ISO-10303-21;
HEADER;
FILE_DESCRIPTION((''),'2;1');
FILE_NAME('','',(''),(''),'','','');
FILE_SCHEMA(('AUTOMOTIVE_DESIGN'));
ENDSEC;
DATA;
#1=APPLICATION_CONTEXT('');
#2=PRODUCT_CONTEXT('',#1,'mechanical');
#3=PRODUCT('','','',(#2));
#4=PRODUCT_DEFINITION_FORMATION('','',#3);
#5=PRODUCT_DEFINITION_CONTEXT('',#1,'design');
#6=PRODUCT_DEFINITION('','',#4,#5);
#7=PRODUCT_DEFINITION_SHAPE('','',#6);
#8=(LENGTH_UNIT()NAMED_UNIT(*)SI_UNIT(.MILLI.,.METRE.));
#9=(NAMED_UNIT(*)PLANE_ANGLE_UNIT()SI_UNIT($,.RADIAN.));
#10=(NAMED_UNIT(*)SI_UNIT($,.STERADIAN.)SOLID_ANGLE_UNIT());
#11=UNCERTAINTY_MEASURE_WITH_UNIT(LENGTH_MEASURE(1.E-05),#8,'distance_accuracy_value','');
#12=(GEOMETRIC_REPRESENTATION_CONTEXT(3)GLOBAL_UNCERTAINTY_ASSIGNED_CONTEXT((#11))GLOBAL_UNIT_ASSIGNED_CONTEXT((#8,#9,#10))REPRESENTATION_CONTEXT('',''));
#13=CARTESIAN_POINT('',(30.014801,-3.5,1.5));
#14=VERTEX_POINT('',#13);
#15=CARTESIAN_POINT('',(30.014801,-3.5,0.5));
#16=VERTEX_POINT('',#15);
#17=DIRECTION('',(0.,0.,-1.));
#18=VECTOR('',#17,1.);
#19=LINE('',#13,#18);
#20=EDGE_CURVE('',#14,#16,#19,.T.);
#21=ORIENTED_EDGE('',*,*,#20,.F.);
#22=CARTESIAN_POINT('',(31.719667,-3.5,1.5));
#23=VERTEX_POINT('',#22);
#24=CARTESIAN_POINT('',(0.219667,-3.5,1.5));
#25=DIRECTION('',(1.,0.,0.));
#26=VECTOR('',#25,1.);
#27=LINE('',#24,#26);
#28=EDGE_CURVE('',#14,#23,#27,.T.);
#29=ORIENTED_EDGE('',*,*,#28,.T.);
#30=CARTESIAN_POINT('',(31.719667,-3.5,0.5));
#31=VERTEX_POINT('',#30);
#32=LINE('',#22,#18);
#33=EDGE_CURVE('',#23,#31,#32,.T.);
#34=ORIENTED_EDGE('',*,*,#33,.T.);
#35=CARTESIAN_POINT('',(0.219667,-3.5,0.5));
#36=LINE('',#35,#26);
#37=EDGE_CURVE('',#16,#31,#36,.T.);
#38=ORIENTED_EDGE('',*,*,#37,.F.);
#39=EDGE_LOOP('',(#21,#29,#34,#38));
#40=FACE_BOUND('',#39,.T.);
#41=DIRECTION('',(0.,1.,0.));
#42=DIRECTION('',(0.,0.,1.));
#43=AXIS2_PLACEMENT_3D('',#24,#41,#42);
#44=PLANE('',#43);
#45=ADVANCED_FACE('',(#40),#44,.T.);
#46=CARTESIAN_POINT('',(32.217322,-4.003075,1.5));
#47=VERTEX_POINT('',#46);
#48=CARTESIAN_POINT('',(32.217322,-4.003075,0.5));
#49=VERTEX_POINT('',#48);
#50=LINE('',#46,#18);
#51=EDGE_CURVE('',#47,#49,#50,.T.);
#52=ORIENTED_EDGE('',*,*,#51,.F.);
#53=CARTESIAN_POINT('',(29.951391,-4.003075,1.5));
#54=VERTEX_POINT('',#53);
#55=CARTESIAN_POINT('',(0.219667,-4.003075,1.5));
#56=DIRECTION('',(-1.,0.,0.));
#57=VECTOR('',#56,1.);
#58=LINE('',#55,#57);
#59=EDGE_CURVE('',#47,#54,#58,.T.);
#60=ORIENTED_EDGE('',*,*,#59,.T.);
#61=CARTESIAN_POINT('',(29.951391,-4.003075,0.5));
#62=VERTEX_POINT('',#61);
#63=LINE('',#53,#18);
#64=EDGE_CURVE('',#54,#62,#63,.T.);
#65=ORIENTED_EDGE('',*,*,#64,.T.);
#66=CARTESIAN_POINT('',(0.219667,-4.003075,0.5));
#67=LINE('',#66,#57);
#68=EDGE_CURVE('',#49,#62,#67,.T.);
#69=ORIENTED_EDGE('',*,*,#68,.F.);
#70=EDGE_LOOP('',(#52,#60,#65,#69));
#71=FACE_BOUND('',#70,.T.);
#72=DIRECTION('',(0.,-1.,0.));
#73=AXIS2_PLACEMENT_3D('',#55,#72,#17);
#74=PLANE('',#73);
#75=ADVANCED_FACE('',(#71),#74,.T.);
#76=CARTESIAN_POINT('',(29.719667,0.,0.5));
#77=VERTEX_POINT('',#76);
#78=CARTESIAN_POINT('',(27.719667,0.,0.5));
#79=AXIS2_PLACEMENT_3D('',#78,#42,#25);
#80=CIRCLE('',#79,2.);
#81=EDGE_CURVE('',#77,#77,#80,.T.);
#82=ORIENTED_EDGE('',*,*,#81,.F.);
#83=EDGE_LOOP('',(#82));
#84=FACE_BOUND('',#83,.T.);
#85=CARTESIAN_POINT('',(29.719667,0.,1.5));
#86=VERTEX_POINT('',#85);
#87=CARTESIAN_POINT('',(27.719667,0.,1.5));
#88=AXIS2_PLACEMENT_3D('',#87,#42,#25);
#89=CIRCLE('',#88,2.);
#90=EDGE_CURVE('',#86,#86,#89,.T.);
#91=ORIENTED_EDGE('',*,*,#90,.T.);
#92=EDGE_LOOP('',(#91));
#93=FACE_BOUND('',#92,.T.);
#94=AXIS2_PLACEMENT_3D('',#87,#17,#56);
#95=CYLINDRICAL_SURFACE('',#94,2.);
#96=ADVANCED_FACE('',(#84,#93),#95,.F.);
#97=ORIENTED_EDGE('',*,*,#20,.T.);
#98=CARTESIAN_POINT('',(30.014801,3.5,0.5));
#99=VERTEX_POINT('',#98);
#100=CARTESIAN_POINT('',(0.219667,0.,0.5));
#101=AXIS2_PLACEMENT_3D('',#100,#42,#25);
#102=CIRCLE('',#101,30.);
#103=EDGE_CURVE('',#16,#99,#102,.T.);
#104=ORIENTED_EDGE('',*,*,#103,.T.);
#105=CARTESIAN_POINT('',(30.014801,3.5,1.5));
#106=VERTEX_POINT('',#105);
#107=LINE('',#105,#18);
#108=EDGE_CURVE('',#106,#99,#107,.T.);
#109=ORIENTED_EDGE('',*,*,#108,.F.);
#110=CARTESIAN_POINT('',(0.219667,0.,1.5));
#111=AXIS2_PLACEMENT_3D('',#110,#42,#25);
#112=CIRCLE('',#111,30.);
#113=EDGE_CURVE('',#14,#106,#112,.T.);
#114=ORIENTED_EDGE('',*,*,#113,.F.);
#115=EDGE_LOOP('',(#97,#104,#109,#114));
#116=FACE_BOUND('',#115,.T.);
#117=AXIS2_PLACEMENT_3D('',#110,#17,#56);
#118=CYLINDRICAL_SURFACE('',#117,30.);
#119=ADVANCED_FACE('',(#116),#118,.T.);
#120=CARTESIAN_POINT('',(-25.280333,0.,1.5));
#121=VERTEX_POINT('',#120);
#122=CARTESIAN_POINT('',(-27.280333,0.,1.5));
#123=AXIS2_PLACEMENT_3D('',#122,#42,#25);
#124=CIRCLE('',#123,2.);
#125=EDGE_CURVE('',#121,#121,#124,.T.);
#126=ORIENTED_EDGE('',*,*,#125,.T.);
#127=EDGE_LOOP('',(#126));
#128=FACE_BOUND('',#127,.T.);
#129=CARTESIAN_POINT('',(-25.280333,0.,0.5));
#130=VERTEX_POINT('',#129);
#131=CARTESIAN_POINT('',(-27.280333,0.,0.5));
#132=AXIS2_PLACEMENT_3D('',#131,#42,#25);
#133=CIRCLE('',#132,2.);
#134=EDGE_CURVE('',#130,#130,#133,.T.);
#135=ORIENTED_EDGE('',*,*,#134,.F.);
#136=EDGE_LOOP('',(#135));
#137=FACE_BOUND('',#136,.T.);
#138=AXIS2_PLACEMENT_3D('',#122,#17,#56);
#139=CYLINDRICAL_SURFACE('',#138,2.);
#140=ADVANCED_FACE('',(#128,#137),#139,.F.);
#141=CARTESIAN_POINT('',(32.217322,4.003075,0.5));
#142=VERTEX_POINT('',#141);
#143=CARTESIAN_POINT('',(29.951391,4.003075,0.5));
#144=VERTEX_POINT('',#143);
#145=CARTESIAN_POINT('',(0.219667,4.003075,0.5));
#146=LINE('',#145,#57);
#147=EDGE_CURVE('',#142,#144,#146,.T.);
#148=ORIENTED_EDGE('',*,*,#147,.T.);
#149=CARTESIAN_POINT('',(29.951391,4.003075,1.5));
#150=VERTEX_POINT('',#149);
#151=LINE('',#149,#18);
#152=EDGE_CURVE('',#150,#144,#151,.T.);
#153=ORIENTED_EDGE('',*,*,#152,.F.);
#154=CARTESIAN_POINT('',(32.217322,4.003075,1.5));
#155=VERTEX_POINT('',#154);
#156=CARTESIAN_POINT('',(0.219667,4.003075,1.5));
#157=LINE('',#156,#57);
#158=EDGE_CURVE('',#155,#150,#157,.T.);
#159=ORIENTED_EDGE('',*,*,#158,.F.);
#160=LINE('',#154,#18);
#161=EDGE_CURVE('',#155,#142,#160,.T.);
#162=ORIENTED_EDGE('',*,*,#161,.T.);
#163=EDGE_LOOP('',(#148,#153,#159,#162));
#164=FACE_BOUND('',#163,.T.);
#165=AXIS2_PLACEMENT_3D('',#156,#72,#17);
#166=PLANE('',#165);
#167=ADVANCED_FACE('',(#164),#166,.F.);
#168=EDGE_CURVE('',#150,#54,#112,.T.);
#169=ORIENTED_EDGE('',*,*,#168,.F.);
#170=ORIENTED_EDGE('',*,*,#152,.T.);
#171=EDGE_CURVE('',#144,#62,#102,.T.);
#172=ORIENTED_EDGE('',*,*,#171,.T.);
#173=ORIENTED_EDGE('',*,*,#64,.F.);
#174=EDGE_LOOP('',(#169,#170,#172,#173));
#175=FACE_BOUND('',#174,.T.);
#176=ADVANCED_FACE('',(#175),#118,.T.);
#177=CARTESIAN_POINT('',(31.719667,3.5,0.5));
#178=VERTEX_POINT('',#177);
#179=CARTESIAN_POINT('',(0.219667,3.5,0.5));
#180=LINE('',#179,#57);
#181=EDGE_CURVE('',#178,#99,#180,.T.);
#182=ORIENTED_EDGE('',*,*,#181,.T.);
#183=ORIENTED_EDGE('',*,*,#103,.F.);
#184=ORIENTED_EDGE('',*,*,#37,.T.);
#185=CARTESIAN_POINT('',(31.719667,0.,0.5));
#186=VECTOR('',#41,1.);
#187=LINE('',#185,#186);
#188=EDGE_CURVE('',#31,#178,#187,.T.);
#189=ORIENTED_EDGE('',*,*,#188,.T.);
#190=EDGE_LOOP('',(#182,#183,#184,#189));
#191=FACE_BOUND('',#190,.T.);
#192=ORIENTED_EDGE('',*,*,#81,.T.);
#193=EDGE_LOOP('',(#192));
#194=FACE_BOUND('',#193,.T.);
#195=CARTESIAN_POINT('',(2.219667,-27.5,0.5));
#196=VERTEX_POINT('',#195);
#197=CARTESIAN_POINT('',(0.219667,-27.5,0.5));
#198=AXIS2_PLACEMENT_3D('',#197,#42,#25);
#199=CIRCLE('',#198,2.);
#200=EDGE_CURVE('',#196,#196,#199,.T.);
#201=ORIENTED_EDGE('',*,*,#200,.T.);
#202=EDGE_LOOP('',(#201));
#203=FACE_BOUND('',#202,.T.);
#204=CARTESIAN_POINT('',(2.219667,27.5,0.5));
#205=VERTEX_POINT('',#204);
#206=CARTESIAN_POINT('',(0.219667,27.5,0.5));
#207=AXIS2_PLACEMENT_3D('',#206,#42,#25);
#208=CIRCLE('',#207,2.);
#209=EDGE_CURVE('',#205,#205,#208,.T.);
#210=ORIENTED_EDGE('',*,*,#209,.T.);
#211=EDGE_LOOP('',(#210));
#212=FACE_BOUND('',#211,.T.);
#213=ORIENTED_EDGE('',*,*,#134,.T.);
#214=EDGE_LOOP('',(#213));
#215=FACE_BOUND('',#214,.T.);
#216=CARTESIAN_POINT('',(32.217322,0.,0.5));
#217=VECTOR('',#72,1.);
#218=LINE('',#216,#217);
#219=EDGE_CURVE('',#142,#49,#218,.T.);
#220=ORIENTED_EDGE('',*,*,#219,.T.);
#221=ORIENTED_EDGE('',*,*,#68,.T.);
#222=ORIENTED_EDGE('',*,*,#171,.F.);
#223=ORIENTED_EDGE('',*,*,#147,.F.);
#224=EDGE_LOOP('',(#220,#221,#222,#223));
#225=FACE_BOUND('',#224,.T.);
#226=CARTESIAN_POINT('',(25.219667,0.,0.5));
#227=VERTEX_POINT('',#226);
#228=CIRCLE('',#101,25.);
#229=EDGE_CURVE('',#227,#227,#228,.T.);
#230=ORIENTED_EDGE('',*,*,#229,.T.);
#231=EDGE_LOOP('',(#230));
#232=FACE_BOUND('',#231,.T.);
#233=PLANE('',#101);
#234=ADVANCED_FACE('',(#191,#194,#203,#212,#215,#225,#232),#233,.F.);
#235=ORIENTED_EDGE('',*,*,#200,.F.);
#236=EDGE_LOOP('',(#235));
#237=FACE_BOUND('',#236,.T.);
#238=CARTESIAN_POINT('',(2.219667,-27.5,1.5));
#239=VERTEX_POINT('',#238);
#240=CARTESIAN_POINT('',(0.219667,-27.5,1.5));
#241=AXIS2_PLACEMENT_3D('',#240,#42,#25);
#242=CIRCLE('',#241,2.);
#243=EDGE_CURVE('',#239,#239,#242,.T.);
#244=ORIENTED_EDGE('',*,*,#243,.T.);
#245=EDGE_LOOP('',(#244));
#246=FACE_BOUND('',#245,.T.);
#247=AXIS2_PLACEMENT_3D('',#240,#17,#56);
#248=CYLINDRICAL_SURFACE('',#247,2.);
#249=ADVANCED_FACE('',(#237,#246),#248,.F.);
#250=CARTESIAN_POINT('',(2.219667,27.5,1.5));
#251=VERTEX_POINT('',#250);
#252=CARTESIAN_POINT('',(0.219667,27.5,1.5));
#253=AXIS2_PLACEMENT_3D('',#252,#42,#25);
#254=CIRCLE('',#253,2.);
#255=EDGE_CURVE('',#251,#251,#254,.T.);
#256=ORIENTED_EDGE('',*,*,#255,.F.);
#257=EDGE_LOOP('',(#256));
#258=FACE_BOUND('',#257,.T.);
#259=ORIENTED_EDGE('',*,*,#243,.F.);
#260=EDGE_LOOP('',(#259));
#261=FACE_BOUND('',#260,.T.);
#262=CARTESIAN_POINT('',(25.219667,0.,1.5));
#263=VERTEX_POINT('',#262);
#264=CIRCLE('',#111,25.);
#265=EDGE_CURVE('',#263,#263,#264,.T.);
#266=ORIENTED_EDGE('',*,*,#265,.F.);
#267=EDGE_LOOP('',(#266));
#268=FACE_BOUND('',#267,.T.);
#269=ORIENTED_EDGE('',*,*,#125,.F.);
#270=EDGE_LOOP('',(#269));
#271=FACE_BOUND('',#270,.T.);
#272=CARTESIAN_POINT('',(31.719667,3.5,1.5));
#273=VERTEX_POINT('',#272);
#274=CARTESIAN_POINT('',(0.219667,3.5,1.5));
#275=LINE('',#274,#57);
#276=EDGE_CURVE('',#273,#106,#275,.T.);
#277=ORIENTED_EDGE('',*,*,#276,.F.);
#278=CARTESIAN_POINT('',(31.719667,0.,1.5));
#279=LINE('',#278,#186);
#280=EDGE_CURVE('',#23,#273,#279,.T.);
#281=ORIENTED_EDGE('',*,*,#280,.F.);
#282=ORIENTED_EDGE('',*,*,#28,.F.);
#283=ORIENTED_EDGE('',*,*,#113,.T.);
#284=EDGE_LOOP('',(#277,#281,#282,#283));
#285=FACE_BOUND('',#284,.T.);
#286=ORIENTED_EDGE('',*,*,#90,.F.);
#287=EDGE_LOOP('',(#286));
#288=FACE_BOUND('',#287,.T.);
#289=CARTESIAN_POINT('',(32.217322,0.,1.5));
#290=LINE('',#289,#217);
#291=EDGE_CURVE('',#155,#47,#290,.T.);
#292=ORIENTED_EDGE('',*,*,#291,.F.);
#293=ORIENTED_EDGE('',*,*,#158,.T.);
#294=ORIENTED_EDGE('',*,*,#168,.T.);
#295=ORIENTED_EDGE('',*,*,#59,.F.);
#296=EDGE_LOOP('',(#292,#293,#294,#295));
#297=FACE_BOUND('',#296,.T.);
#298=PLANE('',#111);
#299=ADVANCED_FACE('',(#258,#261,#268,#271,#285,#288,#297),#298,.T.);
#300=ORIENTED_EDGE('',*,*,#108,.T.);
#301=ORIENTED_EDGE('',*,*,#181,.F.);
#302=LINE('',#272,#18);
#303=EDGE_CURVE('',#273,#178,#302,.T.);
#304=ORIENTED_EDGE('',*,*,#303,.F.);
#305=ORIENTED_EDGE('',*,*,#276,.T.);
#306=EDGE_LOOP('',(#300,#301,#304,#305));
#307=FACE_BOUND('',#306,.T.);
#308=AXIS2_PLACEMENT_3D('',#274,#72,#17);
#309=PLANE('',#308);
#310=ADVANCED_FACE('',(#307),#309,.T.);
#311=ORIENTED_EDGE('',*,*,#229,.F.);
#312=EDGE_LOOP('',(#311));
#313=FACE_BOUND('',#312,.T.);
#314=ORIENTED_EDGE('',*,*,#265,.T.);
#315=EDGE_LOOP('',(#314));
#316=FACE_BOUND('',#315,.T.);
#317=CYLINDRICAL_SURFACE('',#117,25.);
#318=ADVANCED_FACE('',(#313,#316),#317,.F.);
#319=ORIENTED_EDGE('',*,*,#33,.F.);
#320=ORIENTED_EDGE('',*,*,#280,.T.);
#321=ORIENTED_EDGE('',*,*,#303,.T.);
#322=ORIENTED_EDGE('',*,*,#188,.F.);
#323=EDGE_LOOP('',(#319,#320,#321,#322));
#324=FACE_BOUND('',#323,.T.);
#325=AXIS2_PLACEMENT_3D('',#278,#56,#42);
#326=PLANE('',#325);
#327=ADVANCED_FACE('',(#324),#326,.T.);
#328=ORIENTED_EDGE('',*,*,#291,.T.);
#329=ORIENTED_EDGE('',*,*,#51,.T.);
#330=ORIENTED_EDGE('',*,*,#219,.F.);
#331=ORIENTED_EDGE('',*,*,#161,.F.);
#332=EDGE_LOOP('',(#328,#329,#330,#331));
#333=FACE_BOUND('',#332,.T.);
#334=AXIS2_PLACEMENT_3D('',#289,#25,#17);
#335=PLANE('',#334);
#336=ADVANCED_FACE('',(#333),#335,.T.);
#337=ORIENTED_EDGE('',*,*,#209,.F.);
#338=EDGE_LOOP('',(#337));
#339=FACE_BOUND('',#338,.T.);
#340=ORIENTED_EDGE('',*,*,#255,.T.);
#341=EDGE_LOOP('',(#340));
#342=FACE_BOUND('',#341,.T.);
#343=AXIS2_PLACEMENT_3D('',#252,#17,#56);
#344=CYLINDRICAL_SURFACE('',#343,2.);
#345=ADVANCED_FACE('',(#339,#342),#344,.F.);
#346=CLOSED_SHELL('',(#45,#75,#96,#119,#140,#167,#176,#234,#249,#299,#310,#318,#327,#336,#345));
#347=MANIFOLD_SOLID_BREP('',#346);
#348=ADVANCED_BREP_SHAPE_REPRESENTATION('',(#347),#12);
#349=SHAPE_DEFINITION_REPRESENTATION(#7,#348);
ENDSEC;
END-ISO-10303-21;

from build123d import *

# Parameters (mm, degrees)
CROQUIS1_R              = 4
CROQUIS1_R_2            = 50
SALIENTE_EXTRUIR1_DEPTH = 2
ESCALA1_SCALE           = 0.5


with BuildPart() as part:
    # Croquis1 → Saliente-Extruir1 (new body)
    with BuildSketch(Plane.XY):
        with BuildLine():
            Line((63.995308988, 8.006149239), (59.46344738, 8.006149239))
            ThreePointArc((59.46344738, 8.006149239), (-60, 0), (59.46344738, -8.006149239))
            Line((59.46344738, -8.006149239), (63.995308988, -8.006149239))
            Line((63.995308988, -8.006149239), (63.995308988, 8.006149239))
        make_face()
        with BuildLine():
            Line((63, -7), (59.590267662, -7))
            ThreePointArc((59.590267662, -7), (60, 0), (59.590267662, 7))
            Line((59.590267662, 7), (63, 7))
            Line((63, 7), (63, -7))
        make_face(mode=Mode.SUBTRACT)
        with Locations((0, 55)):
            Circle(CROQUIS1_R, mode=Mode.SUBTRACT)
        with Locations((55, 0)):
            Circle(CROQUIS1_R, mode=Mode.SUBTRACT)
        with Locations((0, -55)):
            Circle(CROQUIS1_R, mode=Mode.SUBTRACT)
        with Locations((-55, 0)):
            Circle(CROQUIS1_R, mode=Mode.SUBTRACT)
        Circle(CROQUIS1_R_2, mode=Mode.SUBTRACT)
    extrude(amount=SALIENTE_EXTRUIR1_DEPTH)


with BuildPart() as part_1:
    # Escala1: scaled about (0.43933496, 0, 1)
    add(part.part.scale(ESCALA1_SCALE).moved(Location((0.21966748, 0, 0.5))))


solid = part_1.part
